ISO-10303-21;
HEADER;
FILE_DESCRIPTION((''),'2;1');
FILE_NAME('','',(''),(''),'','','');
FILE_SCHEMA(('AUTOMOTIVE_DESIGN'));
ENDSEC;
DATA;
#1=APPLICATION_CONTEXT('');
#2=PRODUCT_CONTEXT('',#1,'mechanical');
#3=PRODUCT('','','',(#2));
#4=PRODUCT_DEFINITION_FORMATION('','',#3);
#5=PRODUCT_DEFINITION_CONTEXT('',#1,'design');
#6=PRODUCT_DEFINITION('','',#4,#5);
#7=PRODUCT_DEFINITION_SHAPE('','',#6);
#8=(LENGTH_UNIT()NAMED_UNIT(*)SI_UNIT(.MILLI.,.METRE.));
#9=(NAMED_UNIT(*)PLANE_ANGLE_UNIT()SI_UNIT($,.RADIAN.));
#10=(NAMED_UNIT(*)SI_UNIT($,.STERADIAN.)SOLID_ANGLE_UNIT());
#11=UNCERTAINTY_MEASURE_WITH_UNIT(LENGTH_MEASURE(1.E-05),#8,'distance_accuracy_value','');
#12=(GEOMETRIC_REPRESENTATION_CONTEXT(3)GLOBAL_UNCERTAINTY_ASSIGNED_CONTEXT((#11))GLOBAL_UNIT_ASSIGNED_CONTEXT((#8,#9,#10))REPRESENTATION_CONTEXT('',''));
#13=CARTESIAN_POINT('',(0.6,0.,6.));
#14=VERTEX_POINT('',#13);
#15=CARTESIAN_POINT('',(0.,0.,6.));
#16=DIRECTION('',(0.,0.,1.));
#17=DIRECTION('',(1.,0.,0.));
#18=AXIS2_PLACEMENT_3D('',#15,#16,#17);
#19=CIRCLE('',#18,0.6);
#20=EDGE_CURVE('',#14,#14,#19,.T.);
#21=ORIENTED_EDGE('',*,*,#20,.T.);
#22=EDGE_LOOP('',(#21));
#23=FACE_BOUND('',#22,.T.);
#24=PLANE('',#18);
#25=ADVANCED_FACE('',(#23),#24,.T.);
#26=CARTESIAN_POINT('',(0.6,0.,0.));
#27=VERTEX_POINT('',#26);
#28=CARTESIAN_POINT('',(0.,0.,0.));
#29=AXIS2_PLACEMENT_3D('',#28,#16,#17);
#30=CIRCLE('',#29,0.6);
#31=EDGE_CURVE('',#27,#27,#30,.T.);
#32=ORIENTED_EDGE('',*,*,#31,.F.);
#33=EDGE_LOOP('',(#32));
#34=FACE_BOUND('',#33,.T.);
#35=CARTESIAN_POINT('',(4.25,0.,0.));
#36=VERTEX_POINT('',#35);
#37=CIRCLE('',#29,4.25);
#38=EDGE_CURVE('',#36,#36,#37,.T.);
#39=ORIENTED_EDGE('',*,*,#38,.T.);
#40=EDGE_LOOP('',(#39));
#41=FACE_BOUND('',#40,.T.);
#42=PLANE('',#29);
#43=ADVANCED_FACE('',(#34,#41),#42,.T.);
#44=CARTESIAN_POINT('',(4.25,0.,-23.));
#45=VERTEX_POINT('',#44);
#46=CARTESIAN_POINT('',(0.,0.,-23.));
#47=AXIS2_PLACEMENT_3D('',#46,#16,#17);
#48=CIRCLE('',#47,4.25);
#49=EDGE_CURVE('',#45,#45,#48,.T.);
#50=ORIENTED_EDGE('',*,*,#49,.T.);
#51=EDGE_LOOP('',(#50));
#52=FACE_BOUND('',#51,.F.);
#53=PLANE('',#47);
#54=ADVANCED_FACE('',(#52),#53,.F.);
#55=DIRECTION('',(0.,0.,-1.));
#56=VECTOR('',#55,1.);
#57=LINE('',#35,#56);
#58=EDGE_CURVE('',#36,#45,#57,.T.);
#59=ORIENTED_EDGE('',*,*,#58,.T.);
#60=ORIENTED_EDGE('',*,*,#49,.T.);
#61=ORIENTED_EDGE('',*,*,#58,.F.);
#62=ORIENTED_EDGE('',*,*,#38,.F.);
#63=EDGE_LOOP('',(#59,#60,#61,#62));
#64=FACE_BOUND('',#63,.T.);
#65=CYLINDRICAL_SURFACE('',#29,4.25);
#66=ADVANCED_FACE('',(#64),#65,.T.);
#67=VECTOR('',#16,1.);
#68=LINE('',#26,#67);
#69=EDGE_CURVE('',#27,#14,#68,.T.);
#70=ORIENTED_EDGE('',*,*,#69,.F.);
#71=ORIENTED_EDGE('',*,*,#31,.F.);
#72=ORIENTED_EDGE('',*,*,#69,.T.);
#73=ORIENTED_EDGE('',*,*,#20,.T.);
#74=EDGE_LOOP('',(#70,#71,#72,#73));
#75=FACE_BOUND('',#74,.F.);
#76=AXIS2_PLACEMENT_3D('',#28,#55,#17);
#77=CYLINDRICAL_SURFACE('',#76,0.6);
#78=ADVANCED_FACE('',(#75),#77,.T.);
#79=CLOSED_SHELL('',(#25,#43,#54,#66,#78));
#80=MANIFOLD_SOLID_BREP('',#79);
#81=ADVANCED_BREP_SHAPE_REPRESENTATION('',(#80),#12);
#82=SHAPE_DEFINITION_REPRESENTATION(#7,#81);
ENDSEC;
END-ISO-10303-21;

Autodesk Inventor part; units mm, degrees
ref_plane "YZ Plane" through (0, 0, 0) normal (1, 0, 0) x (0, 1, 0)
ref_plane "XZ Plane" through (0, 0, 0) normal (0, 1, 0) x (-1, 0, 0)
ref_plane "XY Plane" through (0, 0, 0) normal (0, 0, 1) x (1, 0, 0)
sketch "Esboço1" plane through (0, 0, 0) normal (0, 0, 1) x (1, 0, 0)
  circle A0 centre (0, 0) radius 4.25
  dimension "d0" = 8.5
extrude "Extrusão1" add sketch "Esboço1" against normal blind 23
sketch "Esboço2" plane through (0, 0, 0) normal (0, 0, 1) x (1, 0, 0)
  circle A0 centre (0, 0) radius 0.6
  dimension "d3" = 1.2
extrude "Extrusão2" add sketch "Esboço2" along normal blind 6
properties part number "coreless_8523" material "Alumínio 6061-AHC"
